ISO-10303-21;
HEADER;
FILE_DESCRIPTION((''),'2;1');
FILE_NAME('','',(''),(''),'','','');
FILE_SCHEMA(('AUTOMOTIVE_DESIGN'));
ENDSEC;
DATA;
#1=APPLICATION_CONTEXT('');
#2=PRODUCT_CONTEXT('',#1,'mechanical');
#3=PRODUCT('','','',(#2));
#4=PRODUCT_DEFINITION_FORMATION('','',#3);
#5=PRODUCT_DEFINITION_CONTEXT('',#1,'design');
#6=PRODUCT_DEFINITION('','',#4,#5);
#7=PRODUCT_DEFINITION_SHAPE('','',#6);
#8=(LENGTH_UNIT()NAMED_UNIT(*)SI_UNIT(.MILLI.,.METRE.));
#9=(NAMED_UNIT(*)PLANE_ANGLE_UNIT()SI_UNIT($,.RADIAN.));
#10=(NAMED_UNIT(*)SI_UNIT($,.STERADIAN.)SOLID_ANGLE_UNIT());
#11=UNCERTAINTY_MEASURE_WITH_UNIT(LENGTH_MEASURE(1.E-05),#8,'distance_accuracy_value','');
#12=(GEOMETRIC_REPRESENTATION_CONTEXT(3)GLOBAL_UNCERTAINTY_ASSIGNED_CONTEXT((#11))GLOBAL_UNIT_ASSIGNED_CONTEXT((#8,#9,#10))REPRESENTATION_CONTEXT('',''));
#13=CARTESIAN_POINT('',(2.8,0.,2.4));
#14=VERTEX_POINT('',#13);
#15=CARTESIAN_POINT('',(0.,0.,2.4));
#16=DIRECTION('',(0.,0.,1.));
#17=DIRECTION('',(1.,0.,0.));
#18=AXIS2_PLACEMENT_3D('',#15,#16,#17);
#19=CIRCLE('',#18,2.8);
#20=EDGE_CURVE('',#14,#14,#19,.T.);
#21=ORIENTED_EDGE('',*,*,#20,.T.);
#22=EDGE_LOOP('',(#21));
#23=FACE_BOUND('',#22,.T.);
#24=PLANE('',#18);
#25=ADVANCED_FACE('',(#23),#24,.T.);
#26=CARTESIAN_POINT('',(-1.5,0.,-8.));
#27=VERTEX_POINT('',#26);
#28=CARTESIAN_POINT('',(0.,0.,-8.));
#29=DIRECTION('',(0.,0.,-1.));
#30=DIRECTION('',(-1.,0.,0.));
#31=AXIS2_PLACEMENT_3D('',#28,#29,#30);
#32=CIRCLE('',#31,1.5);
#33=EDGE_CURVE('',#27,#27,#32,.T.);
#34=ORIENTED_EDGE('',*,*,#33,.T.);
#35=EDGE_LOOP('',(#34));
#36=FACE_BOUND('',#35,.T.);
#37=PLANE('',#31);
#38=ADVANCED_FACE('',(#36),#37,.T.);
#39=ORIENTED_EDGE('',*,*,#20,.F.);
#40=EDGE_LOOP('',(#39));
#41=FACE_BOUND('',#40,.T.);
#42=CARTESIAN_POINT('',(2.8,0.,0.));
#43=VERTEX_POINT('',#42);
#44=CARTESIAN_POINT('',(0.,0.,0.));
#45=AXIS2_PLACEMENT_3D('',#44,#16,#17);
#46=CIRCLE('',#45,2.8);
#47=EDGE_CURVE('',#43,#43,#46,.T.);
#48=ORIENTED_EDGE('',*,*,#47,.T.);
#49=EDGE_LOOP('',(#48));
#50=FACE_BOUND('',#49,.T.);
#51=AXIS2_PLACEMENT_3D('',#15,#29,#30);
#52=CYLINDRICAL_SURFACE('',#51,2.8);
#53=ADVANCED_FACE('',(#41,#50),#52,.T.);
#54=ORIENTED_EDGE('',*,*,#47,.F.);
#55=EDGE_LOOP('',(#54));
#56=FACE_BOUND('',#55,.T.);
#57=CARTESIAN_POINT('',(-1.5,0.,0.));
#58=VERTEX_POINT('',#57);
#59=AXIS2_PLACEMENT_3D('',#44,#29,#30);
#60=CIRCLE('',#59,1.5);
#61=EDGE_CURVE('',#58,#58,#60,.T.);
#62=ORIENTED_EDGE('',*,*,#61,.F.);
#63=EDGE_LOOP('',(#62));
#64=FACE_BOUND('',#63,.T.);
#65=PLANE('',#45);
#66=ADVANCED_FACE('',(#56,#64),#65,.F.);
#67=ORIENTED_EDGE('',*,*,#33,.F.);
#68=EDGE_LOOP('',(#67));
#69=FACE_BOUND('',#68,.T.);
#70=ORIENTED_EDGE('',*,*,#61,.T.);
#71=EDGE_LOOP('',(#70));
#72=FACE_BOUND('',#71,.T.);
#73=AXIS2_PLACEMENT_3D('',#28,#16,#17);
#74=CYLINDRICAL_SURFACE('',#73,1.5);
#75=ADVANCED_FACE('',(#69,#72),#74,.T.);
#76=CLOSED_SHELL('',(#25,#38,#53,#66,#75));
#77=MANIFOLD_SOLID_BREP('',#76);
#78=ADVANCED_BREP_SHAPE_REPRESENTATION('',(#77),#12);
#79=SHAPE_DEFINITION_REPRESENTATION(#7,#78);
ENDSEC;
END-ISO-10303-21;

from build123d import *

# Parameters (mm, degrees)
ESQUISSE1_R        = 2.8
BOSS_EXTRU_1_DEPTH = 2.4
ESQUISSE2_R        = 1.5
BOSS_EXTRU_2_DEPTH = 8


with BuildPart() as part:
    # Esquisse1 → Boss.-Extru.1 (new body)
    with BuildSketch(Plane.XY):
        Circle(ESQUISSE1_R)
    extrude(amount=BOSS_EXTRU_1_DEPTH)

    # Esquisse2 → Boss.-Extru.2 (add)
    with BuildSketch(Plane(origin=(0, 0, 0), x_dir=(-1, 0, 0), z_dir=(0, 0, -1))):
        Circle(ESQUISSE2_R)
    extrude(amount=BOSS_EXTRU_2_DEPTH)


solid = part.part
